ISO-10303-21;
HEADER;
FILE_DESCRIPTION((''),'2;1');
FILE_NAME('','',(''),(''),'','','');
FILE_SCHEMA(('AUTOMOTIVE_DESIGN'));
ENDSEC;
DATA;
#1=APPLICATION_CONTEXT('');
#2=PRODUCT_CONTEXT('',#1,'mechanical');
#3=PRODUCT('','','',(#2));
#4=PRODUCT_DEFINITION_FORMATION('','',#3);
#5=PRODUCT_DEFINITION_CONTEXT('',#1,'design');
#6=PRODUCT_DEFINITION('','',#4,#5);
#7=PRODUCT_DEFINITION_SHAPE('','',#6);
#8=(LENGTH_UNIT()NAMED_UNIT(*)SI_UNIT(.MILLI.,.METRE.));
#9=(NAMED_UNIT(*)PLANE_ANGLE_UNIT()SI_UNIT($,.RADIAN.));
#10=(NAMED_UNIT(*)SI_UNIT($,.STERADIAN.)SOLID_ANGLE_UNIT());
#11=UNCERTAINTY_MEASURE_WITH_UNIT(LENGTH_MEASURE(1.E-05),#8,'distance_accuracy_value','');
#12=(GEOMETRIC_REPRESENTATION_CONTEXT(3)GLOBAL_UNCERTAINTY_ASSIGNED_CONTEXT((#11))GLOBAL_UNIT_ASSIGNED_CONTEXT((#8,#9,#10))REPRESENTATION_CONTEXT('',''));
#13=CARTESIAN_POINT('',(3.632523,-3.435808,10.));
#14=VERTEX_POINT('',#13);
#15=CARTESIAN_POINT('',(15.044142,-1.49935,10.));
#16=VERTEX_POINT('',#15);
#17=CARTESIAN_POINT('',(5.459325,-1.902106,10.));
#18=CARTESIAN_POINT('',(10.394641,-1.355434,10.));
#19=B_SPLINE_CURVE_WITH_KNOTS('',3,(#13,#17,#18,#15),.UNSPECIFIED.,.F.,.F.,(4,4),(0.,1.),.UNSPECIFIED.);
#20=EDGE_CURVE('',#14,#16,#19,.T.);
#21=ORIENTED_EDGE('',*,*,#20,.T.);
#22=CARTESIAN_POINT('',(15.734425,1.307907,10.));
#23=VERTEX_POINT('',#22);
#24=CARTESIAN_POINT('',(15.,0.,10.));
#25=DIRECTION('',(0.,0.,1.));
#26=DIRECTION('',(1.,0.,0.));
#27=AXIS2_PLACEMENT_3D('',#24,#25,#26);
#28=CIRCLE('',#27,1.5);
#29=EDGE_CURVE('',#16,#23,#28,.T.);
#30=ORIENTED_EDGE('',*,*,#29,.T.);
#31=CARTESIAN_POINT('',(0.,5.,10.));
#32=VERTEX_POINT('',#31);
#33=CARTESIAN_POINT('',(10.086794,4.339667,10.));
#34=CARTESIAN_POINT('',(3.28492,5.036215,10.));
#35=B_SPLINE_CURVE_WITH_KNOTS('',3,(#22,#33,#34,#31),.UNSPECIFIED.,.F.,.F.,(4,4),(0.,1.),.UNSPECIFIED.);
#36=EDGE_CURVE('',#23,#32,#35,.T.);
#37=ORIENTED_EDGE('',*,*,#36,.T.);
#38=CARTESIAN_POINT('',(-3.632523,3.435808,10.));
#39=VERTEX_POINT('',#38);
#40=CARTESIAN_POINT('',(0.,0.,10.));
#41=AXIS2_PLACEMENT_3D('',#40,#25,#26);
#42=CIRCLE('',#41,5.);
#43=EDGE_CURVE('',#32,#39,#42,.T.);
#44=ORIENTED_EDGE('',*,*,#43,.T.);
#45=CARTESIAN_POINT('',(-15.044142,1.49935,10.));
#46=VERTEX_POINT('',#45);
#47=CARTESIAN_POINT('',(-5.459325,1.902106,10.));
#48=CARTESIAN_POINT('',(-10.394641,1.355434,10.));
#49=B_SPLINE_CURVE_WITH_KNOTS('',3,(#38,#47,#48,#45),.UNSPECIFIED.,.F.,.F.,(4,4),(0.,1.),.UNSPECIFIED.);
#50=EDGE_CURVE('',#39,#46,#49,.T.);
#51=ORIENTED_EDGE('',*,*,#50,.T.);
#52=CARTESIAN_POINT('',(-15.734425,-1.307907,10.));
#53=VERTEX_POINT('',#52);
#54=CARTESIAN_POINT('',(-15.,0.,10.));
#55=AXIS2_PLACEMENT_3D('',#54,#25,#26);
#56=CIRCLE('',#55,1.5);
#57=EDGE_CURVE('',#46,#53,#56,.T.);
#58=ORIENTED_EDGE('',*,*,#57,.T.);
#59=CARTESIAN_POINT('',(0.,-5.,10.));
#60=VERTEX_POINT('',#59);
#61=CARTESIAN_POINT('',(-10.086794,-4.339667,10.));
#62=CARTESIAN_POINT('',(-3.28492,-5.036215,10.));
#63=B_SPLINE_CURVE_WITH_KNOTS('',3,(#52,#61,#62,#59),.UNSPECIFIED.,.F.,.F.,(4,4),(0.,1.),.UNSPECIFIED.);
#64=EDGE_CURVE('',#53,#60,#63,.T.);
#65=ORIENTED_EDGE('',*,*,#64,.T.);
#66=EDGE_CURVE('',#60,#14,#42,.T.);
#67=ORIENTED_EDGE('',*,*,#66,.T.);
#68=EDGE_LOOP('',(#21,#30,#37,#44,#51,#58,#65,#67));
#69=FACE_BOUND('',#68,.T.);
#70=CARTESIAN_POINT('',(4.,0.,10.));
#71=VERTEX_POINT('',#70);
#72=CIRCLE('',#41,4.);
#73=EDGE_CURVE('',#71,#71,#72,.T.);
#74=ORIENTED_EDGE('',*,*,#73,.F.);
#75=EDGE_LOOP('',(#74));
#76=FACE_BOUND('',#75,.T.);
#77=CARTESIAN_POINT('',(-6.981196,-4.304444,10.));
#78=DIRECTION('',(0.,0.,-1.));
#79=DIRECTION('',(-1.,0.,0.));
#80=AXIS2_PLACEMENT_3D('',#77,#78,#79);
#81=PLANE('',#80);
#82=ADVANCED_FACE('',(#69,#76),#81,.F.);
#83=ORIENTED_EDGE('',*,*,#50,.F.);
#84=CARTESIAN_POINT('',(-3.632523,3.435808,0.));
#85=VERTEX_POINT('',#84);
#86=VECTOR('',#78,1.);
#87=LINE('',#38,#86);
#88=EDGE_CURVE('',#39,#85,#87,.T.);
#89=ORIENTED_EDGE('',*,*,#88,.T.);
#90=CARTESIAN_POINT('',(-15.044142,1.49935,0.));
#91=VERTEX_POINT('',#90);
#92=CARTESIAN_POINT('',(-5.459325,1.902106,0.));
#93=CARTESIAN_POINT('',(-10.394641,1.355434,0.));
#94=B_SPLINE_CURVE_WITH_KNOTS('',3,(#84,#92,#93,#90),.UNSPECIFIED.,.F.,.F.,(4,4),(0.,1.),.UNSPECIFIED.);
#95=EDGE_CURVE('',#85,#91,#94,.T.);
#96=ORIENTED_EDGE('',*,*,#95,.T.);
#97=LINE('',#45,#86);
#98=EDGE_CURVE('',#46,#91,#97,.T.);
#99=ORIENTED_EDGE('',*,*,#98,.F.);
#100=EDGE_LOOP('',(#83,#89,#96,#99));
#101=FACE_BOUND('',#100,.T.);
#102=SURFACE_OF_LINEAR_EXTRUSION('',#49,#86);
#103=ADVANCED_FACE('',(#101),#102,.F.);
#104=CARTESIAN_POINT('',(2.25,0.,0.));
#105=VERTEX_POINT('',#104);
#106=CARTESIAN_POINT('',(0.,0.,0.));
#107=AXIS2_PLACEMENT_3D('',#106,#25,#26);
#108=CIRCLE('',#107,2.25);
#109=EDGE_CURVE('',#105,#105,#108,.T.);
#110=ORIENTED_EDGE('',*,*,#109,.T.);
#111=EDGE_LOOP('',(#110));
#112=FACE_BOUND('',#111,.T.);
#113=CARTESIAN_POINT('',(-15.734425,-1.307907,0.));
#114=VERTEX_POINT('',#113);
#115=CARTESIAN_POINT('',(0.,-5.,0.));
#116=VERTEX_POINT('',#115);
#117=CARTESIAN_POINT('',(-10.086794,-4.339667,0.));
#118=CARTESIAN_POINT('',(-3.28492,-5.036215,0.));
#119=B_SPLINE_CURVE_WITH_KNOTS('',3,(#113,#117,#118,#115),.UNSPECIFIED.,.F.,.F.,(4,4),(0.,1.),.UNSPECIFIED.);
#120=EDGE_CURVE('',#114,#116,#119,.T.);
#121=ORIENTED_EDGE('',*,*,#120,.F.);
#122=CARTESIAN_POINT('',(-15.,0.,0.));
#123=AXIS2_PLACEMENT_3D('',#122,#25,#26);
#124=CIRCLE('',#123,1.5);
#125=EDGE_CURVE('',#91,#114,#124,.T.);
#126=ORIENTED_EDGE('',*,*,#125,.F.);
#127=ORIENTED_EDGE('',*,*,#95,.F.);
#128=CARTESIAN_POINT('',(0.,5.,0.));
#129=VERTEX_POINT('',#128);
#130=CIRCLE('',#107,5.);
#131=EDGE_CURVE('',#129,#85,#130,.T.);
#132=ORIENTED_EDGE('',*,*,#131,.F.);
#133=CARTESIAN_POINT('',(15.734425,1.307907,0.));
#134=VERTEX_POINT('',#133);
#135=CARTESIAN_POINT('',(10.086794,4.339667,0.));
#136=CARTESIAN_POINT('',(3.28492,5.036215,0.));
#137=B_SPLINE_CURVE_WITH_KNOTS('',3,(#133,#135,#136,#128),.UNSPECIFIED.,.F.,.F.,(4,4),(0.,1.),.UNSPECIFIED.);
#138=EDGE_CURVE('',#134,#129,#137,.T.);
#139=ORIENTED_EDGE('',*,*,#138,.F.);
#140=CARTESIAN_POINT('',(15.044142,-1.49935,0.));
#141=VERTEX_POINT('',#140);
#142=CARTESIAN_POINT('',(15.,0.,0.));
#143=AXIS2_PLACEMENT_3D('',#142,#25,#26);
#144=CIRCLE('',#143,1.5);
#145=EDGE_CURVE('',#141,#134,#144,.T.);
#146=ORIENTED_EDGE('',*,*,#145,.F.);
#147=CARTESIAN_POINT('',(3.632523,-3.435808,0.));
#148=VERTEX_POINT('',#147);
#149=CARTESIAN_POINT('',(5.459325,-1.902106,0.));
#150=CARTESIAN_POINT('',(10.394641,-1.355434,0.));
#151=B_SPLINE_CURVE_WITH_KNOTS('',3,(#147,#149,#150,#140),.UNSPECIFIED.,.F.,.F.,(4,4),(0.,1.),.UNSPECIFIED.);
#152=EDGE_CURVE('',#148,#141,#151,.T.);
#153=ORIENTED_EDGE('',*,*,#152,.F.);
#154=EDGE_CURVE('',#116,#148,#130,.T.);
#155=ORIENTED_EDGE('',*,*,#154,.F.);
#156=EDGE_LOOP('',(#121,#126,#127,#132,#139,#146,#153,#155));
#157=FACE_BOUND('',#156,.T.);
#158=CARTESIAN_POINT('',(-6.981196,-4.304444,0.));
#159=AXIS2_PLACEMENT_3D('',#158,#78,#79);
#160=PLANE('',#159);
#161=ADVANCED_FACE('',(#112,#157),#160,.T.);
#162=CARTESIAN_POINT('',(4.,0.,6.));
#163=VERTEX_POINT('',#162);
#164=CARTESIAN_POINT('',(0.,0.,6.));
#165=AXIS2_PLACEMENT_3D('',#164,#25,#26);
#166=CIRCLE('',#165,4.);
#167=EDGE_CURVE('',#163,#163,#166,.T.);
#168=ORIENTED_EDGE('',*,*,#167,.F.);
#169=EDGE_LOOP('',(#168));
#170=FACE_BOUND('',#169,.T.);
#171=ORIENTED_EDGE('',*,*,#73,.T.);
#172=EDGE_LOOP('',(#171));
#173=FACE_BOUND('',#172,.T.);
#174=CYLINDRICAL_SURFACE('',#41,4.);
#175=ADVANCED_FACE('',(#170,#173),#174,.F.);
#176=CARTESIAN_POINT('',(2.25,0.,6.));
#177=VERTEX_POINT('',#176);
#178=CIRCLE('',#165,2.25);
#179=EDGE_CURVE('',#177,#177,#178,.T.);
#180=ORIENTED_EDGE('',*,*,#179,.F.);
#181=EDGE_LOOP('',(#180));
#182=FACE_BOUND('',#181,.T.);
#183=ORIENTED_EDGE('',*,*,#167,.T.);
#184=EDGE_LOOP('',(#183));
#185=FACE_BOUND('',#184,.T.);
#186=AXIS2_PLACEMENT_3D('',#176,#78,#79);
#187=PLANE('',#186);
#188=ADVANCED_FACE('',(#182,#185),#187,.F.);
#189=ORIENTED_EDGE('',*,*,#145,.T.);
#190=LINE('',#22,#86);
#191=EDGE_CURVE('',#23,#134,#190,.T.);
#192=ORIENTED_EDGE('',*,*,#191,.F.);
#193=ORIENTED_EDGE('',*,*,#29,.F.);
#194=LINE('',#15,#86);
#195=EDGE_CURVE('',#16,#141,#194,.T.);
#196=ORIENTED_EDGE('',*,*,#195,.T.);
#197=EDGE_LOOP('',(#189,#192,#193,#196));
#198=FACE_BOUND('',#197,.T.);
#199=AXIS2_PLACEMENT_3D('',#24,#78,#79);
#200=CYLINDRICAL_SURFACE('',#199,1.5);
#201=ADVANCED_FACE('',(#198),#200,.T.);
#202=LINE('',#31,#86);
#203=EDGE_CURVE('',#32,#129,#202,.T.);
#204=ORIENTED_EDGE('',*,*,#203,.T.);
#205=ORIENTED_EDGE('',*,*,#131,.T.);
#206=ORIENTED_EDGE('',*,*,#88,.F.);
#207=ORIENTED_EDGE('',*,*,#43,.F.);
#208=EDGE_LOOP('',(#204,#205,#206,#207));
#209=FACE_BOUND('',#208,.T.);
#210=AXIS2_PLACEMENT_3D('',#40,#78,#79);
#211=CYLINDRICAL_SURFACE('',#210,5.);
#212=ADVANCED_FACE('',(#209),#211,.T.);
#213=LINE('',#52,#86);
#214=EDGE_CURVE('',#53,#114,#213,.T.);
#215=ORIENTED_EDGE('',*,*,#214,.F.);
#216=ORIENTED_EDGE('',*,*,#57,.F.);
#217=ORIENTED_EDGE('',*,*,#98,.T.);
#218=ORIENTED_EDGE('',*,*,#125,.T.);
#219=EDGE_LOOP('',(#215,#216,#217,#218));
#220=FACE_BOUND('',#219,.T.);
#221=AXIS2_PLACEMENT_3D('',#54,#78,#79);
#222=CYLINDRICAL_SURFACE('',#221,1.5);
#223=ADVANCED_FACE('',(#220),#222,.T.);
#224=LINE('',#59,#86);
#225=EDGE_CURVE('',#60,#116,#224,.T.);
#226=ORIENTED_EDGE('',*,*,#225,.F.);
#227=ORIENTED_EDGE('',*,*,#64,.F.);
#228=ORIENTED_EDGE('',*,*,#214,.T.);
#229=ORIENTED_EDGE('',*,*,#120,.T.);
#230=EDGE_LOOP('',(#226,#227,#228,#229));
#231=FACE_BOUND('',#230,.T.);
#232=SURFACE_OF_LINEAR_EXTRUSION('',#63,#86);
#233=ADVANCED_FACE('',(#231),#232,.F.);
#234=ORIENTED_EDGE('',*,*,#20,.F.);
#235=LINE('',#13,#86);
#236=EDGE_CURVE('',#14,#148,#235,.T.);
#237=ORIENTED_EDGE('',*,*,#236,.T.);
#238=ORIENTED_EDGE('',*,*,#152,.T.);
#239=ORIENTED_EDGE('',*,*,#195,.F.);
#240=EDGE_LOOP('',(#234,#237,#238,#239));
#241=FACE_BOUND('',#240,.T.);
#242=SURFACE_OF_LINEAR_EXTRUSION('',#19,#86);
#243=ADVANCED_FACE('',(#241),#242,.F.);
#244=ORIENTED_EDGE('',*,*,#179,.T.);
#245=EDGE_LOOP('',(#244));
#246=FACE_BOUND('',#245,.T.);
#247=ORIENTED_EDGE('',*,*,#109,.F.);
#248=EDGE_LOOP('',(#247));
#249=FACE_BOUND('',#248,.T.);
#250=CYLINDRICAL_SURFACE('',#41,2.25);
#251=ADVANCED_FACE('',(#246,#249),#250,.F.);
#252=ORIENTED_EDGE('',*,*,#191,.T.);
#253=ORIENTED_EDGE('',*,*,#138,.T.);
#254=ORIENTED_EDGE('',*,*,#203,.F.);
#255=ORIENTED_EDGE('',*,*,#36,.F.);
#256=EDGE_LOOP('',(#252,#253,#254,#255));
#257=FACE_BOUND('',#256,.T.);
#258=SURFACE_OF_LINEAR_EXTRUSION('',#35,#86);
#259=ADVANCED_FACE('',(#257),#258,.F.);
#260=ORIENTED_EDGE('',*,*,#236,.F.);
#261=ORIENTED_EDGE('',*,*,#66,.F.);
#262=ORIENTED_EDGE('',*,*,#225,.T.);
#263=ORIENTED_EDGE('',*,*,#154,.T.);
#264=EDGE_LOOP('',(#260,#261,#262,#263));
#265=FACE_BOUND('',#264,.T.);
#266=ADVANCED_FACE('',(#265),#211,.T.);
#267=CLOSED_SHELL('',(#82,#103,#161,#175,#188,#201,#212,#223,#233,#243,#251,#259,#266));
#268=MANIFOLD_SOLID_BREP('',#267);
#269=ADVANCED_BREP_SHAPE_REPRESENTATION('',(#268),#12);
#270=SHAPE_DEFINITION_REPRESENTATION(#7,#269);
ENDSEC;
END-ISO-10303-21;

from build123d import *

# Parameters (mm, degrees)
EXTRUDE_1_DEPTH             = 10
HOLE_WIZARD_M41_D           = 4.5
HOLE_WIZARD_M41_CBORE_D     = 8
HOLE_WIZARD_M41_CBORE_DEPTH = 4


with BuildPart() as part:
    # Эскиз1 → Бобышка-Вытянуть1 (new body)
    with BuildSketch(Plane.XY):
        with BuildLine():
            ThreePointArc((0, -5), (1.97749323, -4.592332798), (3.632522807, -3.43580821))
            add(Edge.make_bspline(
                [(15.044141894, -1.499350357), (10.394641273, -1.355433826), (5.459325404, -1.902106002), (3.632522807, -3.43580821)],
                knots=[0, 0, 0, 0, 1, 1, 1, 1], degree=3))
            ThreePointArc((15.044141894, -1.499350357), (16.456610687, -0.358169384), (15.734424867, 1.307906768))
            add(Edge.make_bspline(
                [(15.734424867, 1.307906768), (10.086793818, 4.339667199), (3.284920128, 5.036214544), (0, 5)],
                knots=[0, 0, 0, 0, 1, 1, 1, 1], degree=3))
            ThreePointArc((0, 5), (-1.97749323, 4.592332798), (-3.632522807, 3.43580821))
            add(Edge.make_bspline(
                [(-15.044141894, 1.499350357), (-10.394641273, 1.355433826), (-5.459325404, 1.902106002), (-3.632522807, 3.43580821)],
                knots=[0, 0, 0, 0, 1, 1, 1, 1], degree=3))
            ThreePointArc((-15.044141894, 1.499350357), (-16.456610687, 0.358169384), (-15.734424867, -1.307906768))
            add(Edge.make_bspline(
                [(-15.734424867, -1.307906768), (-10.086793818, -4.339667199), (-3.284920128, -5.036214544), (0, -5)],
                knots=[0, 0, 0, 0, 1, 1, 1, 1], degree=3))
        make_face()
    extrude(amount=EXTRUDE_1_DEPTH)

    # Цековка для винта с внутренним шестигранником M41 (through all)
    with Locations(Plane.XY.offset(10)):
        with Locations((0, 0)):
            CounterBoreHole(HOLE_WIZARD_M41_D / 2, HOLE_WIZARD_M41_CBORE_D / 2, HOLE_WIZARD_M41_CBORE_DEPTH)


solid = part.part
